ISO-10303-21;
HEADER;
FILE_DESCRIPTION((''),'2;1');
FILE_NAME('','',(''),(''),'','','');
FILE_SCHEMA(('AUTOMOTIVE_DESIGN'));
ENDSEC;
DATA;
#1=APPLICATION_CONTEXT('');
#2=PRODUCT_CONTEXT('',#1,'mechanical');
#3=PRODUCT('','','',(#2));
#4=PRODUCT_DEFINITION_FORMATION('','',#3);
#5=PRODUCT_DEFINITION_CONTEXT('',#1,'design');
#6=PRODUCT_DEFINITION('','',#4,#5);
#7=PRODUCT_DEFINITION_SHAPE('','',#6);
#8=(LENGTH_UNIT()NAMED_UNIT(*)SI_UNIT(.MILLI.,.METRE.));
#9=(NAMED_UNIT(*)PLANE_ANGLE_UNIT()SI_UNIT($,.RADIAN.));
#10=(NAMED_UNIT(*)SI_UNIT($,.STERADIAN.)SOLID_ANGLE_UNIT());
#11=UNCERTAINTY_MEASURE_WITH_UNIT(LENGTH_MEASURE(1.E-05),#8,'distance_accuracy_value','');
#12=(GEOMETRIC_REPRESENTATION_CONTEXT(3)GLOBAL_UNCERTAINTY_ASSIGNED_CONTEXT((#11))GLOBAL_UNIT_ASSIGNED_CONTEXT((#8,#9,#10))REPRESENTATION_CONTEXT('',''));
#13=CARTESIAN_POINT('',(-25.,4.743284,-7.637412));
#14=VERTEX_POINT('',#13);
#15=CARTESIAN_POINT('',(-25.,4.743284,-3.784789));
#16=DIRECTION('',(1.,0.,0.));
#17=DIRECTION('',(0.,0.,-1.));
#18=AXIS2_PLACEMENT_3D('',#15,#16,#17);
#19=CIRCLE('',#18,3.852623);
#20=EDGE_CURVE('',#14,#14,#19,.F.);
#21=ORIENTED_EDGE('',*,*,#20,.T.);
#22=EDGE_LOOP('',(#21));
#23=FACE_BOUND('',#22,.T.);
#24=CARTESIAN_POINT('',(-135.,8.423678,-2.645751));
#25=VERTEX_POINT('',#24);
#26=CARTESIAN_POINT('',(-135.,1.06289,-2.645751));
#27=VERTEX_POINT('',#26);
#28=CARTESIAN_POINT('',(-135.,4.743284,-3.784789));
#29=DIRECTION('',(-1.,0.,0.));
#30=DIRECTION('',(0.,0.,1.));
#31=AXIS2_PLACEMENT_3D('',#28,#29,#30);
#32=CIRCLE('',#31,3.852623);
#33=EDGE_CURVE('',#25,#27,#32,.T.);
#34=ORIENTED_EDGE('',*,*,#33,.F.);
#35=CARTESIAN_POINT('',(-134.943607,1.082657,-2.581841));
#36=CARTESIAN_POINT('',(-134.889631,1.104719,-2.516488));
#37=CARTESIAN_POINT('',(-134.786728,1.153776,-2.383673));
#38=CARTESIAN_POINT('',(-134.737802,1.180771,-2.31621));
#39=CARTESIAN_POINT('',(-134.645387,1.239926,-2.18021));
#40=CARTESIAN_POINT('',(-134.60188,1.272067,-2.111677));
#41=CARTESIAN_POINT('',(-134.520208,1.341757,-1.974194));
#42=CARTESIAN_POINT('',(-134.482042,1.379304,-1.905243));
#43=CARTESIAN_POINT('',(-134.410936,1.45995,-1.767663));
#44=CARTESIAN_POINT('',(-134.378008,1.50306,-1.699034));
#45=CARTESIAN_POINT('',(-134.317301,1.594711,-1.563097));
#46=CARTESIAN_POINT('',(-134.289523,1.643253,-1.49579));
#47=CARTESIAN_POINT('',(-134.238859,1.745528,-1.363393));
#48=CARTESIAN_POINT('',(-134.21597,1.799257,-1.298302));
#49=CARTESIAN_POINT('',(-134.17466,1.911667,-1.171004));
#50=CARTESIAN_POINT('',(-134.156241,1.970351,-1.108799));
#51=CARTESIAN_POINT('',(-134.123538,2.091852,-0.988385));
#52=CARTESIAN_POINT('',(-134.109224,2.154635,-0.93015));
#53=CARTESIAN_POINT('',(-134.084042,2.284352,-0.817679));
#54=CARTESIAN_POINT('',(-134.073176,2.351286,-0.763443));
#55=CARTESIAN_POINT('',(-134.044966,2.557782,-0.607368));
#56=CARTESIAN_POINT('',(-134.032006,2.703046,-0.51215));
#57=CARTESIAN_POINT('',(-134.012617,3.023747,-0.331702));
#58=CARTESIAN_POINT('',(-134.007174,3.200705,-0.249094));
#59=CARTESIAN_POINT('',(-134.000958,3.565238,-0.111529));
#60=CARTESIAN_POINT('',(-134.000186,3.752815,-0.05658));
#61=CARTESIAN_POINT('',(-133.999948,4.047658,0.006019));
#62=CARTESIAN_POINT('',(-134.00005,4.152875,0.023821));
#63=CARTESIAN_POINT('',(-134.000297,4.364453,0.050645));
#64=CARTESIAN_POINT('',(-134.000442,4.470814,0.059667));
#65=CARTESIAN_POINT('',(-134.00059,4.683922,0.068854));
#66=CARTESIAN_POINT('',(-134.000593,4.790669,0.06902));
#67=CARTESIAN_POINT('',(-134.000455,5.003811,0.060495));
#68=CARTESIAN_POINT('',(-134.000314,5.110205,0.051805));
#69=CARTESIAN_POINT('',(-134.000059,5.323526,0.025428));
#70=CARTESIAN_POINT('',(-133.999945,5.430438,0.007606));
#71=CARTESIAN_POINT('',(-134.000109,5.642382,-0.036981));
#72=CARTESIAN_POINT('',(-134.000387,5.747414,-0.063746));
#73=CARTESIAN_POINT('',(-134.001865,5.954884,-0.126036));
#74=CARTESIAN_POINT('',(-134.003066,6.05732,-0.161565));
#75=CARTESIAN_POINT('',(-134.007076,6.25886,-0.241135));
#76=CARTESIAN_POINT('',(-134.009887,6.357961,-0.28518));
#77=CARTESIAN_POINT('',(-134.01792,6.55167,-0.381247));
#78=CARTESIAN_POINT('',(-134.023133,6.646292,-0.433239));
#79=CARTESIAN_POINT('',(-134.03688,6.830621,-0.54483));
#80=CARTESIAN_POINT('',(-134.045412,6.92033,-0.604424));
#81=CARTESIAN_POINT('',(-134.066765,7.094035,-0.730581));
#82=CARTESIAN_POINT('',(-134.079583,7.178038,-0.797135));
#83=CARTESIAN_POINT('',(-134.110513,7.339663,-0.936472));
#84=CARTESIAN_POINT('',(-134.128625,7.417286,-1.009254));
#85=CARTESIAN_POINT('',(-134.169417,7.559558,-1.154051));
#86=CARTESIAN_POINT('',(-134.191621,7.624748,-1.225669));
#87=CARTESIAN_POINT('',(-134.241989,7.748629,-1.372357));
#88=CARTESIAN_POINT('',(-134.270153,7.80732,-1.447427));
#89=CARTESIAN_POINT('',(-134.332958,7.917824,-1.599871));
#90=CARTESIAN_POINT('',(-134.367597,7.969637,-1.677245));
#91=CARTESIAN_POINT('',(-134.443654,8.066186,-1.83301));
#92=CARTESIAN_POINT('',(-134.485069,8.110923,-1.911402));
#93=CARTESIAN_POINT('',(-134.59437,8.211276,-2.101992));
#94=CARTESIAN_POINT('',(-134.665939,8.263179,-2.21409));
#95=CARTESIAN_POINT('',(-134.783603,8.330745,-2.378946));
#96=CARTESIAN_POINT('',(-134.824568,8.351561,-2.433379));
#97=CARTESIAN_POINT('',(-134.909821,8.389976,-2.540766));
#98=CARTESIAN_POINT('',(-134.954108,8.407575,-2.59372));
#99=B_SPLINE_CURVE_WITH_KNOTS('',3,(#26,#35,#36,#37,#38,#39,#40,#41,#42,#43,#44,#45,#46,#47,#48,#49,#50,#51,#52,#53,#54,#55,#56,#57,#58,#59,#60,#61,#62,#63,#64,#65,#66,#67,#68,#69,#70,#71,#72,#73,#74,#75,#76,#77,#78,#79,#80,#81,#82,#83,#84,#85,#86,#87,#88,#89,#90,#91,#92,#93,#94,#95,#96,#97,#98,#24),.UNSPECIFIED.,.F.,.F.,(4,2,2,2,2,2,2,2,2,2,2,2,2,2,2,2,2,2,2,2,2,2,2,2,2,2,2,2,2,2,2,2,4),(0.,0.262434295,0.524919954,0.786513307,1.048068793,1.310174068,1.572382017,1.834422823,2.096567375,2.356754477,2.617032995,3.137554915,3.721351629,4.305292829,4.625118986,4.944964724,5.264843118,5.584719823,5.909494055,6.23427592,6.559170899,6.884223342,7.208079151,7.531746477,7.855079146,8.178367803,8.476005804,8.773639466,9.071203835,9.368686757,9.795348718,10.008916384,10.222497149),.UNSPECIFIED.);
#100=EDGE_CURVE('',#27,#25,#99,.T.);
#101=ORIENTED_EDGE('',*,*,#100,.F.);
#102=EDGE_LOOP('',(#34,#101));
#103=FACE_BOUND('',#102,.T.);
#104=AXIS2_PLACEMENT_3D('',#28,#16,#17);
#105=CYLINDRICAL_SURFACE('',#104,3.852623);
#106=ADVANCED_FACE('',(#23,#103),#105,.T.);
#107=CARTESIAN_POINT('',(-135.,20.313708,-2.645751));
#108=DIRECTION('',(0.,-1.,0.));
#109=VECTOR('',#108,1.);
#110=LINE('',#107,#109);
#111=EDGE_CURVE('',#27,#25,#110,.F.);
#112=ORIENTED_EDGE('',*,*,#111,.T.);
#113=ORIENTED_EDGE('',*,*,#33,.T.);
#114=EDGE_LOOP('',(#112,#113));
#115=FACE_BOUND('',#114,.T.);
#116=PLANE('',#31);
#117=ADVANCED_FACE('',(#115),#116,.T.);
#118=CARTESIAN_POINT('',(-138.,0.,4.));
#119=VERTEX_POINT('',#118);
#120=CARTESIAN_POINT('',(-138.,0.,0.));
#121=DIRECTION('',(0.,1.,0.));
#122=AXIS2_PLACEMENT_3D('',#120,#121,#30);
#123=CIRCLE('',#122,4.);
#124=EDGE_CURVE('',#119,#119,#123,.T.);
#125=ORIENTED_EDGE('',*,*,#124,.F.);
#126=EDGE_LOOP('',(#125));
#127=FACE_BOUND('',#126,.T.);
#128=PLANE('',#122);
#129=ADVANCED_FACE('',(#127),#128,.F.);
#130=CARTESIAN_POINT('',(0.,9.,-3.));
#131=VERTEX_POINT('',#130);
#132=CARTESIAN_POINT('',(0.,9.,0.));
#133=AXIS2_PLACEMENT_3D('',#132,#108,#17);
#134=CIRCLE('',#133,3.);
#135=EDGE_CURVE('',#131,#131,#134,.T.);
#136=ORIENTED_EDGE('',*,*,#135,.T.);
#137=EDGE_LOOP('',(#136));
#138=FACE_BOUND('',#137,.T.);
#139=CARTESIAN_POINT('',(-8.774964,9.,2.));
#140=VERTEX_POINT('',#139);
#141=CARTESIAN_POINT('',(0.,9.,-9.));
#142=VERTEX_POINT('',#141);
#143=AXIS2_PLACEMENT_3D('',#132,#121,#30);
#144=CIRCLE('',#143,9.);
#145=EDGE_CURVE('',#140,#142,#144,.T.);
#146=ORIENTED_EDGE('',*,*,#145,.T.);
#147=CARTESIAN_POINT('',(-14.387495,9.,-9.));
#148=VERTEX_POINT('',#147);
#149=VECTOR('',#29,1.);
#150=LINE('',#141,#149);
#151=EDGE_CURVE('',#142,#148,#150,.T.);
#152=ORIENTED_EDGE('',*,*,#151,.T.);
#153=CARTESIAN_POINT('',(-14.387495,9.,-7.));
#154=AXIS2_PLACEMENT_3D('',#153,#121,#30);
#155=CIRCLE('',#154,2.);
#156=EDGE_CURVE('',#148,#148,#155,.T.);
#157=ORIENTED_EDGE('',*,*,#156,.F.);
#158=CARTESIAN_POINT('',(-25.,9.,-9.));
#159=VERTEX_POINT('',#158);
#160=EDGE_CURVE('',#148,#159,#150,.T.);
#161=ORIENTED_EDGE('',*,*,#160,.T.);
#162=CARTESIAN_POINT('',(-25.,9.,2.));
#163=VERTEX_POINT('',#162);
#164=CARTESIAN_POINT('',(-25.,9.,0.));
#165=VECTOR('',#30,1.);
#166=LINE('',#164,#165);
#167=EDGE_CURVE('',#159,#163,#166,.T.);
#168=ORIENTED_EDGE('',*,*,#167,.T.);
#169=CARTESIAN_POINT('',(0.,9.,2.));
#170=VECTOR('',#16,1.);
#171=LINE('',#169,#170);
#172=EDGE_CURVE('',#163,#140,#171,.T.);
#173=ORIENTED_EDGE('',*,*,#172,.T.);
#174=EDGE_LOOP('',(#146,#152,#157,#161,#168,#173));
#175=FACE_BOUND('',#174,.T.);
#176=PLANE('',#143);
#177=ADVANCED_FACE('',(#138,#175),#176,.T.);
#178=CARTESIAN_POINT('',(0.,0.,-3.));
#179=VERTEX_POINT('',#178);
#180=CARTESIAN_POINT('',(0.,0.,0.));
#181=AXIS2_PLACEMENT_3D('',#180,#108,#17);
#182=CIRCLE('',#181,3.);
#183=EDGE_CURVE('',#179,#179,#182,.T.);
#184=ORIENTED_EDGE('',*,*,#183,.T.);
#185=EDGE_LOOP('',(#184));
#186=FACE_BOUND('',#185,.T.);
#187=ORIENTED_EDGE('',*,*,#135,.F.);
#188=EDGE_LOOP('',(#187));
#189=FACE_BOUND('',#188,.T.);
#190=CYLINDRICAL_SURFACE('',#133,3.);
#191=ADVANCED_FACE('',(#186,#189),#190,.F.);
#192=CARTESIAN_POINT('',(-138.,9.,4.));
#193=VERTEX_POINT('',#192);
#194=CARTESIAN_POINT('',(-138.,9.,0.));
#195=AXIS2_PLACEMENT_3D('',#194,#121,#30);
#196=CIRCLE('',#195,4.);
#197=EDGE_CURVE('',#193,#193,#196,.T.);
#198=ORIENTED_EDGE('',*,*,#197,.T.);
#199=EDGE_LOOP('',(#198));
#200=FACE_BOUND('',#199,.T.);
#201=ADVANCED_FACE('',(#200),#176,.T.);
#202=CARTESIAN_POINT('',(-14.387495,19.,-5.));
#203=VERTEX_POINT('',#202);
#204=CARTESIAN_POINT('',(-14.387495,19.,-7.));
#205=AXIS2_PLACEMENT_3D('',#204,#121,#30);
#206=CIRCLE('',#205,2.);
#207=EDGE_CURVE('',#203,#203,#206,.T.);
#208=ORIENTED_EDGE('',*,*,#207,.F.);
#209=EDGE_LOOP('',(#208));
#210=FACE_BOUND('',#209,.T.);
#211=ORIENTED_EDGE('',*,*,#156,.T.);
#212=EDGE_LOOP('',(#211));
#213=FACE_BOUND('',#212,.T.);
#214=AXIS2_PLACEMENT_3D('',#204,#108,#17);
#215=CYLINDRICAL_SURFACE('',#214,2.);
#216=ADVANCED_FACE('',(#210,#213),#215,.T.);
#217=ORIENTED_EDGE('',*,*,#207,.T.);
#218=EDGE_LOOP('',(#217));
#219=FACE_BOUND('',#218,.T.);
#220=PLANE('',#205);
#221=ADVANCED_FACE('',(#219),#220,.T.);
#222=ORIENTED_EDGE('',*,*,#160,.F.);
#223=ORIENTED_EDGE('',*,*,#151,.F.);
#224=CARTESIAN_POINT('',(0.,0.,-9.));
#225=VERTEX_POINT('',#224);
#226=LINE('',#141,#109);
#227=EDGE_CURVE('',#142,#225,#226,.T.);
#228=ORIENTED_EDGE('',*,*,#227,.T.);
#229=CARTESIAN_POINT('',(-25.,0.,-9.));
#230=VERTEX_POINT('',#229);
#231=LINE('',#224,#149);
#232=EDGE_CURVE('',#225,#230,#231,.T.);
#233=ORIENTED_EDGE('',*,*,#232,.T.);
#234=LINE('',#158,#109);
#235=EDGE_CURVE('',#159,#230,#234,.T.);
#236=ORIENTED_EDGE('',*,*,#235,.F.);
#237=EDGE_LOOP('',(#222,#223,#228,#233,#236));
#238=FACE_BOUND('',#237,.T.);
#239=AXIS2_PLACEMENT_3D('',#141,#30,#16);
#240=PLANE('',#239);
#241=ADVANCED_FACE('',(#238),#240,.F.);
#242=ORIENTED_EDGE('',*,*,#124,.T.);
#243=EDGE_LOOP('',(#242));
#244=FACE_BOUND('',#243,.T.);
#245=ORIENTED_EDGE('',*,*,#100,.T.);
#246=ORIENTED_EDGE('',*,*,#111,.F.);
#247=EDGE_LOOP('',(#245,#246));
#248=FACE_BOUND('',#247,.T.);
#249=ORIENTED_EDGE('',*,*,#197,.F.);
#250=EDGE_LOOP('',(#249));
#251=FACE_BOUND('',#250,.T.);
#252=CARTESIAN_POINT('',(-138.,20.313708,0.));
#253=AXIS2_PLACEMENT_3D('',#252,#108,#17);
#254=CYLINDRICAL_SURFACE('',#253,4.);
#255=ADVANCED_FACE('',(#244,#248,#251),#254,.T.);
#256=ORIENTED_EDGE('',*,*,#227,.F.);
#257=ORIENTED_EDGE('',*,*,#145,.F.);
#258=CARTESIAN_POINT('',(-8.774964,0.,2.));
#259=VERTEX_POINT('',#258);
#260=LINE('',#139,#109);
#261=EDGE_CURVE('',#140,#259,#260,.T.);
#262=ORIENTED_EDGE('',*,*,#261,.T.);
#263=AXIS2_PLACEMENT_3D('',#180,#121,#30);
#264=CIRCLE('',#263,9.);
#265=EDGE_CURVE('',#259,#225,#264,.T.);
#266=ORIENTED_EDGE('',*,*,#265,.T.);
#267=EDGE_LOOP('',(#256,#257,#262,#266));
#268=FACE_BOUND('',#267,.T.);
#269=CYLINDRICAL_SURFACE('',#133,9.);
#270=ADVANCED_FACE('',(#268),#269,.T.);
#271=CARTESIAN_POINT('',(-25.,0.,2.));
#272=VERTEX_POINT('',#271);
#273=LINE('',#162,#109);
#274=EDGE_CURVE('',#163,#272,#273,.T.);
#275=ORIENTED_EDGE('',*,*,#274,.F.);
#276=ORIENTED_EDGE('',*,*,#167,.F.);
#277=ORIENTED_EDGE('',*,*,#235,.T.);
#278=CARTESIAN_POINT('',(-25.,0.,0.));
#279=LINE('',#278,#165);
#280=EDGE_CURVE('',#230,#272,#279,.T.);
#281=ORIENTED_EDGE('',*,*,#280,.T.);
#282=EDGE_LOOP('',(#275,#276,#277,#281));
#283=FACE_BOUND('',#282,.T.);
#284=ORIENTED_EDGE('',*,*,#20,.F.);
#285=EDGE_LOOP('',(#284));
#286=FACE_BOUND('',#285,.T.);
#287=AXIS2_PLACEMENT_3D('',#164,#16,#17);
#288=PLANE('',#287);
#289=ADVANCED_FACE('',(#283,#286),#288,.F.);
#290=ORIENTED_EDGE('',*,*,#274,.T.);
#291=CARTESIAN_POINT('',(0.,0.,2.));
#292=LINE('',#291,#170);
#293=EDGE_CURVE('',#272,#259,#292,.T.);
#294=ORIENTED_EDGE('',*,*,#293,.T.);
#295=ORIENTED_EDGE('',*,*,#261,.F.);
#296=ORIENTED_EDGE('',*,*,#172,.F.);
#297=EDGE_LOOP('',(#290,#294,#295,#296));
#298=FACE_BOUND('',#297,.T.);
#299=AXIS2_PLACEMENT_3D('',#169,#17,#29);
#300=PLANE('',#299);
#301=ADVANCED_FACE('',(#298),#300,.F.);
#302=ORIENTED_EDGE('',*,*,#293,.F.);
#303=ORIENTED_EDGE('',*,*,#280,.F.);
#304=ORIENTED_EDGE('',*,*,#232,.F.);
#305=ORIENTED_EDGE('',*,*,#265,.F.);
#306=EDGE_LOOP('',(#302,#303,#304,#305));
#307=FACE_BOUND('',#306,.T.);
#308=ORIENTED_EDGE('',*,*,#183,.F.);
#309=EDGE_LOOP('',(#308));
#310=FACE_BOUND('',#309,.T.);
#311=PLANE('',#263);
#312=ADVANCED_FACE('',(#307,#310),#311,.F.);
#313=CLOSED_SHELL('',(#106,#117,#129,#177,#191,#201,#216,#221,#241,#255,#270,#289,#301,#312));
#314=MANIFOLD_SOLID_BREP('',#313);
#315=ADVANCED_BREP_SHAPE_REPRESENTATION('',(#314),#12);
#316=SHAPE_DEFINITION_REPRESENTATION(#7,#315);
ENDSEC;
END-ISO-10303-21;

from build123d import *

# Parameters (mm, degrees)
SKETCH1_R           = 9
BOSS_EXTRUDE1_DEPTH = 9
SKETCH2_R           = 3
CUT_EXTRUDE1_DEPTH  = 29.053520278
SKETCH3_R           = 4
BOSS_EXTRUDE2_DEPTH = 9
SKETCH4_R           = 3.852623496
BOSS_EXTRUDE3_DEPTH = 110
SKETCH5_R           = 2
BOSS_EXTRUDE4_DEPTH = 10


with BuildPart() as part:
    # Sketch1 → Boss-Extrude1 (new body)
    with BuildSketch(Plane(origin=(0, 0, 0), x_dir=(1, 0, 0), z_dir=(0, 1, 0))):
        with BuildLine():
            ThreePointArc((-8.774964387, -2), (-7.03562364, 5.61248608), (0, 9))
            Line((0, 9), (-25, 9))
            Line((-25, 9), (-25, -2))
            Line((-25, -2), (-8.774964387, -2))
        make_face()
        Circle(SKETCH1_R)
    extrude(amount=BOSS_EXTRUDE1_DEPTH)

    # Sketch2 → Cut-Extrude1 (cut, through all)
    with BuildSketch(Plane.XZ):
        with Locations(Location((0, 0, 0), (0, 0, 270))):
            Circle(SKETCH2_R)
    extrude(amount=-CUT_EXTRUDE1_DEPTH, mode=Mode.SUBTRACT)



with BuildPart() as body_2:
    # Sketch3 → Boss-Extrude2 (new body)
    with BuildSketch(Plane(origin=(0, 0, 0), x_dir=(1, 0, 0), z_dir=(0, 1, 0))):
        with Locations(Location((-138, 0, 0), (0, 0, 270))):
            Circle(SKETCH3_R)
    extrude(amount=BOSS_EXTRUDE2_DEPTH)


with BuildPart() as part_1:
    add(part.part)

    add(body_2.part)  # Boss-Extrude3 merges body 2
    # Sketch4 → Boss-Extrude3 (add)
    with BuildSketch(Plane.ZY.offset(25)):
        with Locations(Location((-3.784788574, 4.743284234, 0), (0, 0, 180))):
            Circle(SKETCH4_R)
    extrude(amount=BOSS_EXTRUDE3_DEPTH)

    # Sketch5 → Boss-Extrude4 (add)
    with BuildSketch(Plane(origin=(0, 9, 0), x_dir=(1, 0, 0), z_dir=(0, 1, 0))):
        with Locations(Location((-14.38749457, 7, 0), (0, 0, 90))):
            Circle(SKETCH5_R)
    extrude(amount=BOSS_EXTRUDE4_DEPTH)


solid = part_1.part
